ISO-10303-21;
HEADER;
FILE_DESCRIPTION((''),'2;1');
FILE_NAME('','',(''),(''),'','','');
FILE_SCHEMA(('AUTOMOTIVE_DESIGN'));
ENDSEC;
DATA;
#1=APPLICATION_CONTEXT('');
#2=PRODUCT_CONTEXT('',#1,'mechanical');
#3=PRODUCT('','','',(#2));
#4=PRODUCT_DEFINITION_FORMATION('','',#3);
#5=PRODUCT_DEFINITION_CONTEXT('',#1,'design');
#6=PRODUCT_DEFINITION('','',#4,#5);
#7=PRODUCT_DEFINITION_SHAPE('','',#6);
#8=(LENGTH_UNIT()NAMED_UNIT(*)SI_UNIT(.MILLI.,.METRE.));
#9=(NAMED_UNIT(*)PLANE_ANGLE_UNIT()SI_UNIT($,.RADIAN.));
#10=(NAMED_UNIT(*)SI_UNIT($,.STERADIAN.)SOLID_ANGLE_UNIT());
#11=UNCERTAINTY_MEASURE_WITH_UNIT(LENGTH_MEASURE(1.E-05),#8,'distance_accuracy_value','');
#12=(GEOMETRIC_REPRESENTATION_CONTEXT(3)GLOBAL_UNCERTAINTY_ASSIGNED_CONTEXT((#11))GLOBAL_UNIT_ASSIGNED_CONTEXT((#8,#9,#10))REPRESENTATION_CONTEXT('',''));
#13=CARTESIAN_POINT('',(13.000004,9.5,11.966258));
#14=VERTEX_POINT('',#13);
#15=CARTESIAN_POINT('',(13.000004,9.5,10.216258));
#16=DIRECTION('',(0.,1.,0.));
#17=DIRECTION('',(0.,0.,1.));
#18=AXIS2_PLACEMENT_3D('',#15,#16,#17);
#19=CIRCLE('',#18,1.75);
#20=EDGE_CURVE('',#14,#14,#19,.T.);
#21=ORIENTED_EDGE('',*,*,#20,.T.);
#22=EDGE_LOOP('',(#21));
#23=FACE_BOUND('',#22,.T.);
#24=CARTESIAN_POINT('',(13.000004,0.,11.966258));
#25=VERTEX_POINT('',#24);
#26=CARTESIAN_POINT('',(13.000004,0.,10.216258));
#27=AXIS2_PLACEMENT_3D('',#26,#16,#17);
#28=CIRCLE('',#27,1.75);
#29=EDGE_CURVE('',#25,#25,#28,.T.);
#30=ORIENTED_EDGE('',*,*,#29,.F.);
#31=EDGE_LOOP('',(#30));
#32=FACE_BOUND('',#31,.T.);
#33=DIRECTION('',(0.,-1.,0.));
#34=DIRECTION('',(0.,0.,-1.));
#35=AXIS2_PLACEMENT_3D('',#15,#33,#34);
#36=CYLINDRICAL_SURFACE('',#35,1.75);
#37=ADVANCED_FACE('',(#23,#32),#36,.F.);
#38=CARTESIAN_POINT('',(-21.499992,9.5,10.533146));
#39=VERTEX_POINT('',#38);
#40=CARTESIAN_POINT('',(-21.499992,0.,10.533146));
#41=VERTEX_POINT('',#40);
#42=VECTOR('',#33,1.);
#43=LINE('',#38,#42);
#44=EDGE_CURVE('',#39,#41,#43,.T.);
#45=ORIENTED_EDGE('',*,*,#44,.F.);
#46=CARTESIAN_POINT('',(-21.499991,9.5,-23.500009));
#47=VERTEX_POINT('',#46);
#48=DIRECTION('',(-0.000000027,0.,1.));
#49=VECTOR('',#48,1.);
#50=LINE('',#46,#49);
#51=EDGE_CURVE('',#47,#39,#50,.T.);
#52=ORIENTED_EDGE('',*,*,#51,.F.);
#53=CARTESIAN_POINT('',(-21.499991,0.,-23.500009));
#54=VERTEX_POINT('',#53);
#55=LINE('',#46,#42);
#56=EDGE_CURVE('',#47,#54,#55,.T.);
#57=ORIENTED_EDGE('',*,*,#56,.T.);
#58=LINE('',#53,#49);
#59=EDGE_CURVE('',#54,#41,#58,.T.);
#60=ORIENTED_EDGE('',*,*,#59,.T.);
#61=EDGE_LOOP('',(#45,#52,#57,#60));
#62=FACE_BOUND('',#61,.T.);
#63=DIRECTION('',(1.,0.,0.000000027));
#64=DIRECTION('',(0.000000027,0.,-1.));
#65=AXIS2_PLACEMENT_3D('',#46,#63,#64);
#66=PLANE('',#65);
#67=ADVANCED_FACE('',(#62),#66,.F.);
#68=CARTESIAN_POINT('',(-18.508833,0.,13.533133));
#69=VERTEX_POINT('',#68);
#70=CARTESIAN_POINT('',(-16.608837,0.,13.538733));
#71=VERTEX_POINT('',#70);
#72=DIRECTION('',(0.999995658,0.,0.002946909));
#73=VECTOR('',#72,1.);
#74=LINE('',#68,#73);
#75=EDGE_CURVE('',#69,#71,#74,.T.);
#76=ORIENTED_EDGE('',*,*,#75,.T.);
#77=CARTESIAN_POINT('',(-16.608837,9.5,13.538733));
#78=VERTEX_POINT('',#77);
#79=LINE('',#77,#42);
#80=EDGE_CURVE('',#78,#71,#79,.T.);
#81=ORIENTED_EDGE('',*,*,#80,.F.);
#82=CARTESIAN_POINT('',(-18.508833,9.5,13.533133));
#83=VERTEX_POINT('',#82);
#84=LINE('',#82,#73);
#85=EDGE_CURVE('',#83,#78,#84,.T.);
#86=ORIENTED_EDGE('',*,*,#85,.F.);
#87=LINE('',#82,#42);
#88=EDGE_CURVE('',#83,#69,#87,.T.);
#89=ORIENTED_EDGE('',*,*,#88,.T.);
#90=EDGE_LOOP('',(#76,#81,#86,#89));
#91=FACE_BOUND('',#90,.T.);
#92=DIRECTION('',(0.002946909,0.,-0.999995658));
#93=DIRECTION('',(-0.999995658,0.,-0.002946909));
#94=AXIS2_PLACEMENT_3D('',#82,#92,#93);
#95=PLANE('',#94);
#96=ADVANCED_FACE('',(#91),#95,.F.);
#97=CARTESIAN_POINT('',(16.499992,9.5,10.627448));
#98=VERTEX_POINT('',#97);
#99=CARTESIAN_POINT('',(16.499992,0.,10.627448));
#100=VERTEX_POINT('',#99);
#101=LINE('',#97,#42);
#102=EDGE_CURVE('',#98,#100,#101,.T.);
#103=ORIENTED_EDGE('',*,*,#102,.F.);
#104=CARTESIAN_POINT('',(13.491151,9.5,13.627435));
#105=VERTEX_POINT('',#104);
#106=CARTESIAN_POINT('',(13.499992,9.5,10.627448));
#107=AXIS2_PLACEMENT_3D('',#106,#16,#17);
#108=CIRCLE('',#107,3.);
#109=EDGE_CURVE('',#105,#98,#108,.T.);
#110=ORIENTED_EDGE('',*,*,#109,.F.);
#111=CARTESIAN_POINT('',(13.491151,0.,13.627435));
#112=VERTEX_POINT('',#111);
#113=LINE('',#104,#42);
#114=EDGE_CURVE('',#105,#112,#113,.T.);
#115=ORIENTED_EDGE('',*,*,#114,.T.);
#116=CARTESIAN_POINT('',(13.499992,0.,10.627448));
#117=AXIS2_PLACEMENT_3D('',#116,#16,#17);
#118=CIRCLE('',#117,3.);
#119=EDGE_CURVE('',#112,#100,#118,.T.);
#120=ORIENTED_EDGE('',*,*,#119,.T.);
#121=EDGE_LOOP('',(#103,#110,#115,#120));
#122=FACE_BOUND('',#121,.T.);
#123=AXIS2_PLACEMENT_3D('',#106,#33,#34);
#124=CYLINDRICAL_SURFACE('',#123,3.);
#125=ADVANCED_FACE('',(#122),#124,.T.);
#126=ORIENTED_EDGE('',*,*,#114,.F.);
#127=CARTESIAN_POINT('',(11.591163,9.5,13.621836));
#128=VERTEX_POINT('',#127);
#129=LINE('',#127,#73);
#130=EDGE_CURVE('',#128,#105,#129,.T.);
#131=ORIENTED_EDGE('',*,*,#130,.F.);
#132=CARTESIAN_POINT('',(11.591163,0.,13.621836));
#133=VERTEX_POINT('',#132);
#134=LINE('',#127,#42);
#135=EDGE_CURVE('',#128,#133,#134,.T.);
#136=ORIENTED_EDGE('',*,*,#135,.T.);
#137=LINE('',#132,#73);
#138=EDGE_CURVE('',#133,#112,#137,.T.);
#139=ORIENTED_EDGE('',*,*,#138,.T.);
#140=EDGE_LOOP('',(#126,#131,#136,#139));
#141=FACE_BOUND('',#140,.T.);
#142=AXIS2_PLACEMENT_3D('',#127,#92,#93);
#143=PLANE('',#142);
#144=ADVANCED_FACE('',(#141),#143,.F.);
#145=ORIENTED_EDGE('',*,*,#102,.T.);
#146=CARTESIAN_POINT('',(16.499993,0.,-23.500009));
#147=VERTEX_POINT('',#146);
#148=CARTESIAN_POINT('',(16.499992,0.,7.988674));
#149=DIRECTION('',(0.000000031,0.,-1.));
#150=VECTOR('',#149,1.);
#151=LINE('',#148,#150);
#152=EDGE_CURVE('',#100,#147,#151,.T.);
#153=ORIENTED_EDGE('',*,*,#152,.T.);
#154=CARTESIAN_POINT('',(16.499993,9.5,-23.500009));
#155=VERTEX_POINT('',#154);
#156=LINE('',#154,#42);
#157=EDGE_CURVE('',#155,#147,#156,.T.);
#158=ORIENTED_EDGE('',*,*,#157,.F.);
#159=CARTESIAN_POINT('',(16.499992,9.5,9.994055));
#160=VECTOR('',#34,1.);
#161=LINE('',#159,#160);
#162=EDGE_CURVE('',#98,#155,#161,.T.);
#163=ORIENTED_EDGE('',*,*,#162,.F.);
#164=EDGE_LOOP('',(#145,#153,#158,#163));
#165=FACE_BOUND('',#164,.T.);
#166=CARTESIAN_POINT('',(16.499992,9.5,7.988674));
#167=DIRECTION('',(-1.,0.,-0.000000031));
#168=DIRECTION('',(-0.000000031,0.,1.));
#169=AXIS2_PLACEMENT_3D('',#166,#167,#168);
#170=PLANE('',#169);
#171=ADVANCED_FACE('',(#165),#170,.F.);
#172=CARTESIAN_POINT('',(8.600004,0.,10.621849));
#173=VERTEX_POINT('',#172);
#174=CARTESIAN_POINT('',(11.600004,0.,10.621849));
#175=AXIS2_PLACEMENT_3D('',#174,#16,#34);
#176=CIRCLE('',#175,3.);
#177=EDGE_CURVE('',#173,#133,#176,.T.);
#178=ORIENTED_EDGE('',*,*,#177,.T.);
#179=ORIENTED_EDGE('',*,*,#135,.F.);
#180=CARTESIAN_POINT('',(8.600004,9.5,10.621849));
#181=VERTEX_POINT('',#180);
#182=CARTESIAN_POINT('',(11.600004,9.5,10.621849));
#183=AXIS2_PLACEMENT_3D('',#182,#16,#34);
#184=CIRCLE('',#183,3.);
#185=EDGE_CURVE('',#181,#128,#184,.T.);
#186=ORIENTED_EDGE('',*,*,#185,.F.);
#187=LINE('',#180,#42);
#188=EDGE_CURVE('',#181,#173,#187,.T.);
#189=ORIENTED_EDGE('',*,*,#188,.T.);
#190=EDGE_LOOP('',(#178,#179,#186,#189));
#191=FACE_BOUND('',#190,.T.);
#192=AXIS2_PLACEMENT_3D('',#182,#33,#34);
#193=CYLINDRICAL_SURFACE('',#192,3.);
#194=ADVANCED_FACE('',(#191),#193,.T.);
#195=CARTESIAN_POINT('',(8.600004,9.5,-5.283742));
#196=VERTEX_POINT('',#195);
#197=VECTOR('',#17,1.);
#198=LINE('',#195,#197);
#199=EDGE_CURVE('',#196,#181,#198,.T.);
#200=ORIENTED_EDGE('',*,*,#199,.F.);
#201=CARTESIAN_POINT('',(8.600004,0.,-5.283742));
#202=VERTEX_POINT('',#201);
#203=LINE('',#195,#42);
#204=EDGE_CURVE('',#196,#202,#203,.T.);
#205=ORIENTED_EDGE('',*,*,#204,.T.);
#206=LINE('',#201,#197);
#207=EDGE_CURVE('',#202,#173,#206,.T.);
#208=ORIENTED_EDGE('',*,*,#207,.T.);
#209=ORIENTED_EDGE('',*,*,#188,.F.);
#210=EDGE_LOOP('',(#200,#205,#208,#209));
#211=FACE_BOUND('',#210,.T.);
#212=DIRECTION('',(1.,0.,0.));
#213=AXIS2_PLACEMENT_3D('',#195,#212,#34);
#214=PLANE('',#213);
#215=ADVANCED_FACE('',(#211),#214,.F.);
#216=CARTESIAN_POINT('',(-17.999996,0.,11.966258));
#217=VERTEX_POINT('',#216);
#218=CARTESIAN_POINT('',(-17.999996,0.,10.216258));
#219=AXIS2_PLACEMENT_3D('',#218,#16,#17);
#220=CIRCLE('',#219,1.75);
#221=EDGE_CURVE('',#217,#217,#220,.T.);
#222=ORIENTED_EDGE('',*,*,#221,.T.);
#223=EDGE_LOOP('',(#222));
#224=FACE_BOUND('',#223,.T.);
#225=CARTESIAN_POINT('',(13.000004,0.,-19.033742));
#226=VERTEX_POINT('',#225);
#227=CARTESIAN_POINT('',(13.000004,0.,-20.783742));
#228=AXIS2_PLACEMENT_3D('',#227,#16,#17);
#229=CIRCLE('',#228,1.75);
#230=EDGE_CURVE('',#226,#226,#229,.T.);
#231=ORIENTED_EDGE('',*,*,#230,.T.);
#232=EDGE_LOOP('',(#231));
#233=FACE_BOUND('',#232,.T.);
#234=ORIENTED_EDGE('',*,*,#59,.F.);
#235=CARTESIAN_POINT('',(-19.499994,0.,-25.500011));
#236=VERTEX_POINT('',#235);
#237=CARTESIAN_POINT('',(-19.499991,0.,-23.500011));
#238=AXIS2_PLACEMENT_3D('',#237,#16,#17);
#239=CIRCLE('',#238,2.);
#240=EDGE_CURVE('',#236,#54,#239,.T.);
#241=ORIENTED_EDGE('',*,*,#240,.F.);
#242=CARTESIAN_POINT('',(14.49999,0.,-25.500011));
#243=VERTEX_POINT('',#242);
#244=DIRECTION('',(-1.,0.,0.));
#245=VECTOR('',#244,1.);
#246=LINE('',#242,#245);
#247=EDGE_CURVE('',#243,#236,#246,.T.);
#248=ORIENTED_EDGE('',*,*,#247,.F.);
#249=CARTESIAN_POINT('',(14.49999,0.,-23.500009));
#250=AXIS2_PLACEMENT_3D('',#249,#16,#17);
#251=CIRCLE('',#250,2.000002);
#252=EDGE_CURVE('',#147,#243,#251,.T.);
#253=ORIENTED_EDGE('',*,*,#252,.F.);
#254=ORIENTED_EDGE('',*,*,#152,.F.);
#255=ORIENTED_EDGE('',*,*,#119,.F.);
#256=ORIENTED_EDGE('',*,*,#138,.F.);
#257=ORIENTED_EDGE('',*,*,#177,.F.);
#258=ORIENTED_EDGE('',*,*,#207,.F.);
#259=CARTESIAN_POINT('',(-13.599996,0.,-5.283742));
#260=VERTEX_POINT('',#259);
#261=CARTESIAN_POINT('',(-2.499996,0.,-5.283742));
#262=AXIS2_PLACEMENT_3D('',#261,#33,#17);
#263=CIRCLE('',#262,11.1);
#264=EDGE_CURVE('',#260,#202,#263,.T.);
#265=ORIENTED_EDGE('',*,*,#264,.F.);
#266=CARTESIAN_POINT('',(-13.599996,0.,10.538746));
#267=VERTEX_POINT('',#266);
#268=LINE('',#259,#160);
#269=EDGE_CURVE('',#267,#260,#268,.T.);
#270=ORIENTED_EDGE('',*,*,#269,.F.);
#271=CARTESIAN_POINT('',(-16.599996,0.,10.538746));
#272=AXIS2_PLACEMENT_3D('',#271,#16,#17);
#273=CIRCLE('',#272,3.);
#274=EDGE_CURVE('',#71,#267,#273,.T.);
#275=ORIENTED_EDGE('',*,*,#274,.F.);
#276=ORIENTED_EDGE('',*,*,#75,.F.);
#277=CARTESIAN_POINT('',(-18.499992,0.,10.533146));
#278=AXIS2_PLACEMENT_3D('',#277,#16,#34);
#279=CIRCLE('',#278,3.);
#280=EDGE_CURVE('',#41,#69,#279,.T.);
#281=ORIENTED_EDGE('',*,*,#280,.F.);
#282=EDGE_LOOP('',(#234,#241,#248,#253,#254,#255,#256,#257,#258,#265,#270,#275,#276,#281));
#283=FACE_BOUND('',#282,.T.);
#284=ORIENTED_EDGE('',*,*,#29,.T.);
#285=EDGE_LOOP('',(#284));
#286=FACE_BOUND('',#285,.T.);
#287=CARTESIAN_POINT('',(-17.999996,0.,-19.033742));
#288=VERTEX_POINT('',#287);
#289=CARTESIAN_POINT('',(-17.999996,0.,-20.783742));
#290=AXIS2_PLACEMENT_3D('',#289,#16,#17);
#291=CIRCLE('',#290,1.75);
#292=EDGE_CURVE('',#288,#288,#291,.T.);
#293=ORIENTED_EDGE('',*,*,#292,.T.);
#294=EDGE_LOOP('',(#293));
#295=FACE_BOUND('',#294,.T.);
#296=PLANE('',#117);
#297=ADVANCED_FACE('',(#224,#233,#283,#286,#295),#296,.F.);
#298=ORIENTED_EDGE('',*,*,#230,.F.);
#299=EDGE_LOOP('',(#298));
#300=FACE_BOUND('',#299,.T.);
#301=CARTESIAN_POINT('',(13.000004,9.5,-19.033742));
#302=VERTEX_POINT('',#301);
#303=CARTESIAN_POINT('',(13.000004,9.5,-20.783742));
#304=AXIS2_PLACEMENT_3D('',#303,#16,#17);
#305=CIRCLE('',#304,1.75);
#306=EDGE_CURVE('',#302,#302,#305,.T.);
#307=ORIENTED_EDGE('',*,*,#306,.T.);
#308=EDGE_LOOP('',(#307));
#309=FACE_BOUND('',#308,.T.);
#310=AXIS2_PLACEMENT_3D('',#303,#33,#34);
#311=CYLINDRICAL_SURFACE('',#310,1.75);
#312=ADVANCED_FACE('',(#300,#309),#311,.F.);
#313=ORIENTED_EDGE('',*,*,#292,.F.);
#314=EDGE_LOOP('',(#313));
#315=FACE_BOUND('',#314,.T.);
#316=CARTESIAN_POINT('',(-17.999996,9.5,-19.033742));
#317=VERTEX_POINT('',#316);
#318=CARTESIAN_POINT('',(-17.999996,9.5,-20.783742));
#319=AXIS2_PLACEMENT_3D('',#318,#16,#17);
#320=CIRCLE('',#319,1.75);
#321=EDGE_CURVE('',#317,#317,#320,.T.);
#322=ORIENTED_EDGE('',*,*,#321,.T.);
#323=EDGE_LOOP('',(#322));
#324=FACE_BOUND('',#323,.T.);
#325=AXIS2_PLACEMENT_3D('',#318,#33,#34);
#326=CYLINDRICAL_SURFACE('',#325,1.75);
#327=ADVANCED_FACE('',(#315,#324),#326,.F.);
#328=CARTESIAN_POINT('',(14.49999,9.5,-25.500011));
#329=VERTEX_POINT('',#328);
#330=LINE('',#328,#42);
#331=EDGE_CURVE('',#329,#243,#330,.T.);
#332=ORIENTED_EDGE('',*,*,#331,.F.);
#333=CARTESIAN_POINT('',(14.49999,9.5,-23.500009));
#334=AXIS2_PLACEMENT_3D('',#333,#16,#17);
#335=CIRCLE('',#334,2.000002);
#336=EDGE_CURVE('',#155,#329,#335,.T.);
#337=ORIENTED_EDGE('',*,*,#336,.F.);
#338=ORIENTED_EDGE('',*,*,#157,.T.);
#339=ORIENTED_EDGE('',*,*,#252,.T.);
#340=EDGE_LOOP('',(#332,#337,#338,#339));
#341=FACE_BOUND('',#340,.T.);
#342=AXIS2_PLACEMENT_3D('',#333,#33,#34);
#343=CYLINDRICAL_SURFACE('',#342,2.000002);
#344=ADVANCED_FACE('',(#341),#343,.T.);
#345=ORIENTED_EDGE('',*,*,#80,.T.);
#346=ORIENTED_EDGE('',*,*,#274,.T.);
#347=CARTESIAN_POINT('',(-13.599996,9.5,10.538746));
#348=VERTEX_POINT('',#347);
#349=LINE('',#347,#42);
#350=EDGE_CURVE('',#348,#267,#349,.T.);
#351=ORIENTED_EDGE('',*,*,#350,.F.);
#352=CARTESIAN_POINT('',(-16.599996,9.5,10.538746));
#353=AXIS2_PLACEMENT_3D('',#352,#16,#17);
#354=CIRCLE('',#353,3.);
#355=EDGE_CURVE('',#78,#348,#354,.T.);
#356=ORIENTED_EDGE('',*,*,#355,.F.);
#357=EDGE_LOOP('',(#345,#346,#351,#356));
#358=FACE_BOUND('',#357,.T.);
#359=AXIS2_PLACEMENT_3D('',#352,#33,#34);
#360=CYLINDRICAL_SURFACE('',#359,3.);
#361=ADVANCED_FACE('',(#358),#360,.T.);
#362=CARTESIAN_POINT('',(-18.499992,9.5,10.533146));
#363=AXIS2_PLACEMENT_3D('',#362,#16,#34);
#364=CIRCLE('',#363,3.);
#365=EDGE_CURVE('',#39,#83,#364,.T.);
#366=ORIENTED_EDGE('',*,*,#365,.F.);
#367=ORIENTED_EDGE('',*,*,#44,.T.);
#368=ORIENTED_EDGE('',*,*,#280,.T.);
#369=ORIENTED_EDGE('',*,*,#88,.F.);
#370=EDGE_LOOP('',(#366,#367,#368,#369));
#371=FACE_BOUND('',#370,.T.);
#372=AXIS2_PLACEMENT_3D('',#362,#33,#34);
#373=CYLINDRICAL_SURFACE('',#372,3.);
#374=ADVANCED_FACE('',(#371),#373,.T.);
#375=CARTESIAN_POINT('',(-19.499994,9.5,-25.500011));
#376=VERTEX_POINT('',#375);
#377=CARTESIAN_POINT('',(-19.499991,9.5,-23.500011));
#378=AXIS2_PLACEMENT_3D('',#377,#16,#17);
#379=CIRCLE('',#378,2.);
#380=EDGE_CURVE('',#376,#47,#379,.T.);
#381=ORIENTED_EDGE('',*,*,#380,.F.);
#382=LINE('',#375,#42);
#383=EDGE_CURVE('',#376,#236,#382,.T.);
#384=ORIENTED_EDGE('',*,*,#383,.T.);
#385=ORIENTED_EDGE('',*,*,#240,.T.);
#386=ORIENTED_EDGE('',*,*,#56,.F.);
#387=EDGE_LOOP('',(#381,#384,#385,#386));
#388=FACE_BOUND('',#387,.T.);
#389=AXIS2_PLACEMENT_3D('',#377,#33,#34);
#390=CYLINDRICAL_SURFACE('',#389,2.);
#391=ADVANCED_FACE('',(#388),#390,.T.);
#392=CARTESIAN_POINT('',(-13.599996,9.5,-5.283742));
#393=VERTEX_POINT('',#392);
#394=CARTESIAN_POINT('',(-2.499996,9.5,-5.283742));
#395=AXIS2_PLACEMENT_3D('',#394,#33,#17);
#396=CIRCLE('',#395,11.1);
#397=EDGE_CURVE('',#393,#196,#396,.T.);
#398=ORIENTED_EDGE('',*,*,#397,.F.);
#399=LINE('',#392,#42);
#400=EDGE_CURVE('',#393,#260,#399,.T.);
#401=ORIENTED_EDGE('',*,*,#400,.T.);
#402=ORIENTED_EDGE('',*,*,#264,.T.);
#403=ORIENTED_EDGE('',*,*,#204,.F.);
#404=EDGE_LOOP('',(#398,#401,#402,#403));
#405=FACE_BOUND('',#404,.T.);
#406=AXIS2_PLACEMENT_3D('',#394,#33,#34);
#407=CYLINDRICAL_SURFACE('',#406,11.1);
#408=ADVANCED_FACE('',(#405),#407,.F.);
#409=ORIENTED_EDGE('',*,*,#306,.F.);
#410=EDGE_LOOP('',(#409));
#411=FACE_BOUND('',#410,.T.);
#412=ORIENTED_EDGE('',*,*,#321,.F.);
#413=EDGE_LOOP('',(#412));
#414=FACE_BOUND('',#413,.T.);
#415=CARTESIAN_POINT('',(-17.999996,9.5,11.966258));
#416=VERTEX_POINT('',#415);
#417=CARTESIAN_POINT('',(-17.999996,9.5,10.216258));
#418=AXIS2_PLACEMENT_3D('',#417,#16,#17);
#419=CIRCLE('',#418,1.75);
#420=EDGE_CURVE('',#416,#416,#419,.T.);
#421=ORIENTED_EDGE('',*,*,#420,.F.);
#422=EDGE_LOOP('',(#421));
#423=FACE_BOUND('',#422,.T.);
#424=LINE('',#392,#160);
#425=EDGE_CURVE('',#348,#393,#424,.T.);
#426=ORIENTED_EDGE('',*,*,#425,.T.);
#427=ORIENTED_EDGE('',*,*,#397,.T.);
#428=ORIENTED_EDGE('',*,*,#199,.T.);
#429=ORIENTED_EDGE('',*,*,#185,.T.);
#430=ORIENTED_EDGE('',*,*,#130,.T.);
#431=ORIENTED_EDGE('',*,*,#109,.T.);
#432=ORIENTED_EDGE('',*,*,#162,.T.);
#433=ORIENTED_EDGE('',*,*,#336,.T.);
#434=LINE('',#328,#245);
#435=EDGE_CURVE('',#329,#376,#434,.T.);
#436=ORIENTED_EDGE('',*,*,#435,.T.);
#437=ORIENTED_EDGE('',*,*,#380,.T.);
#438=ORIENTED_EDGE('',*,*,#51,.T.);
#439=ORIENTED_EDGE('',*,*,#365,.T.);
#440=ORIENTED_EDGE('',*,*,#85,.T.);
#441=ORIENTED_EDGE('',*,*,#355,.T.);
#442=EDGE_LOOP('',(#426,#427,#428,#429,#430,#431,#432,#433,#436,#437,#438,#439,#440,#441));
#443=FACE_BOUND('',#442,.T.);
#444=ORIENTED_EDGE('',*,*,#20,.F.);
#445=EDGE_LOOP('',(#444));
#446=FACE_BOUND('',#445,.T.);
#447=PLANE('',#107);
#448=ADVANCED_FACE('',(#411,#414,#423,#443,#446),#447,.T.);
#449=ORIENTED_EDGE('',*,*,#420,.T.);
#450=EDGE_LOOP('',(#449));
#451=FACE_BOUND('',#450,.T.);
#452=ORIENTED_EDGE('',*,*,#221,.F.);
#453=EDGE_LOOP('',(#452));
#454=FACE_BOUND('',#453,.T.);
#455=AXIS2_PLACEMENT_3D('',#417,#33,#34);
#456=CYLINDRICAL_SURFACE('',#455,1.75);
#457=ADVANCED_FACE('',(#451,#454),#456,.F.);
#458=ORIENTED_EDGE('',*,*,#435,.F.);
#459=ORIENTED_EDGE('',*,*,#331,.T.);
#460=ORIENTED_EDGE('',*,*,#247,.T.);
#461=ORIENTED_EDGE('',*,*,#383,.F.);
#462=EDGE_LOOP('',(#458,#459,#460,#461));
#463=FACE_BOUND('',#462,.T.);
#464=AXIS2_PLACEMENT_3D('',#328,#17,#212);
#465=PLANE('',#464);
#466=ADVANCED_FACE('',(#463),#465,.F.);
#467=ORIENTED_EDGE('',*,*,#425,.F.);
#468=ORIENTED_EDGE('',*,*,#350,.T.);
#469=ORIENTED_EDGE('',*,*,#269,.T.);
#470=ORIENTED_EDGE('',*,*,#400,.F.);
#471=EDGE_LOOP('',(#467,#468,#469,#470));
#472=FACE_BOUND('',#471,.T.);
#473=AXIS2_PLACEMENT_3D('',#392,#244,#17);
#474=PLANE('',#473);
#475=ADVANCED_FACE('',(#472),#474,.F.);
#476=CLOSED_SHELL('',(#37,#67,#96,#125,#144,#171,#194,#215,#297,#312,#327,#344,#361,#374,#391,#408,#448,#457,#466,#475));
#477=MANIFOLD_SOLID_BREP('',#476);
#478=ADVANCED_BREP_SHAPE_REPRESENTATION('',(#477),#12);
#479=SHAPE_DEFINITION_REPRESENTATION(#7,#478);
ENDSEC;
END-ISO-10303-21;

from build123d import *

# Parameters (mm, degrees)
CROQUIS1_R              = 1.75
SALIENTE_EXTRUIR1_DEPTH = 9.5


with BuildPart() as part:
    # Croquis1 → Saliente-Extruir1 (new body)
    with BuildSketch(Plane(origin=(0, 0, 0), x_dir=(1, 0, 0), z_dir=(0, 1, 0))):
        with BuildLine():
            Line((16.499992006, -9.994055242), (16.499992006, -10.627447868))
            ThreePointArc((16.499992006, -10.627447868), (15.618184374, -12.751891582), (13.491151278, -13.627434842))
            Line((13.491151278, -13.627434842), (11.591163268, -13.621835726))
            ThreePointArc((11.591163268, -13.621835726), (9.475560282, -12.740041121), (8.600003995, -10.621848752))
            Line((8.600003995, -10.621848752), (8.600003995, 5.283742))
            ThreePointArc((8.600003995, 5.283742), (-2.499996004, 16.383742), (-13.599996004, 5.283742))
            Line((-13.599996004, 5.283742), (-13.599996004, -10.538745555))
            ThreePointArc((-13.599996004, -10.538745555), (-14.481803636, -12.663189268), (-16.608836732, -13.538732529))
            Line((-16.608836732, -13.538732529), (-18.508832643, -13.533133389))
            ThreePointArc((-18.508832643, -13.533133389), (-20.624435657, -12.651338755), (-21.499991915, -10.533146335))
            Line((-21.499991915, -10.533146335), (-21.499991004, 23.50000907))
            ThreePointArc((-21.499991004, 23.50000907), (-20.914206292, 24.914222817), (-19.499993974, 25.50001098))
            Line((-19.499993974, 25.50001098), (14.499990025, 25.50001098))
            ThreePointArc((14.499990025, 25.50001098), (15.914205688, 24.914224662), (16.499992996, 23.500009))
            Line((16.499992996, 23.500009), (16.499992006, -7.988673633))
            Line((16.499992006, -7.988673633), (16.499992006, -9.994055242))
        make_face()
        with Locations(Location((-17.999996004, -10.216258, 0), (0, 0, 270))):
            Circle(CROQUIS1_R, mode=Mode.SUBTRACT)
        with Locations(Location((-17.999996004, 20.783742, 0), (0, 0, 270))):
            Circle(CROQUIS1_R, mode=Mode.SUBTRACT)
        with Locations(Location((13.000003996, -10.216258, 0), (0, 0, 270))):
            Circle(CROQUIS1_R, mode=Mode.SUBTRACT)
        with Locations(Location((13.000003996, 20.783742, 0), (0, 0, 270))):
            Circle(CROQUIS1_R, mode=Mode.SUBTRACT)
    extrude(amount=SALIENTE_EXTRUIR1_DEPTH)


solid = part.part
